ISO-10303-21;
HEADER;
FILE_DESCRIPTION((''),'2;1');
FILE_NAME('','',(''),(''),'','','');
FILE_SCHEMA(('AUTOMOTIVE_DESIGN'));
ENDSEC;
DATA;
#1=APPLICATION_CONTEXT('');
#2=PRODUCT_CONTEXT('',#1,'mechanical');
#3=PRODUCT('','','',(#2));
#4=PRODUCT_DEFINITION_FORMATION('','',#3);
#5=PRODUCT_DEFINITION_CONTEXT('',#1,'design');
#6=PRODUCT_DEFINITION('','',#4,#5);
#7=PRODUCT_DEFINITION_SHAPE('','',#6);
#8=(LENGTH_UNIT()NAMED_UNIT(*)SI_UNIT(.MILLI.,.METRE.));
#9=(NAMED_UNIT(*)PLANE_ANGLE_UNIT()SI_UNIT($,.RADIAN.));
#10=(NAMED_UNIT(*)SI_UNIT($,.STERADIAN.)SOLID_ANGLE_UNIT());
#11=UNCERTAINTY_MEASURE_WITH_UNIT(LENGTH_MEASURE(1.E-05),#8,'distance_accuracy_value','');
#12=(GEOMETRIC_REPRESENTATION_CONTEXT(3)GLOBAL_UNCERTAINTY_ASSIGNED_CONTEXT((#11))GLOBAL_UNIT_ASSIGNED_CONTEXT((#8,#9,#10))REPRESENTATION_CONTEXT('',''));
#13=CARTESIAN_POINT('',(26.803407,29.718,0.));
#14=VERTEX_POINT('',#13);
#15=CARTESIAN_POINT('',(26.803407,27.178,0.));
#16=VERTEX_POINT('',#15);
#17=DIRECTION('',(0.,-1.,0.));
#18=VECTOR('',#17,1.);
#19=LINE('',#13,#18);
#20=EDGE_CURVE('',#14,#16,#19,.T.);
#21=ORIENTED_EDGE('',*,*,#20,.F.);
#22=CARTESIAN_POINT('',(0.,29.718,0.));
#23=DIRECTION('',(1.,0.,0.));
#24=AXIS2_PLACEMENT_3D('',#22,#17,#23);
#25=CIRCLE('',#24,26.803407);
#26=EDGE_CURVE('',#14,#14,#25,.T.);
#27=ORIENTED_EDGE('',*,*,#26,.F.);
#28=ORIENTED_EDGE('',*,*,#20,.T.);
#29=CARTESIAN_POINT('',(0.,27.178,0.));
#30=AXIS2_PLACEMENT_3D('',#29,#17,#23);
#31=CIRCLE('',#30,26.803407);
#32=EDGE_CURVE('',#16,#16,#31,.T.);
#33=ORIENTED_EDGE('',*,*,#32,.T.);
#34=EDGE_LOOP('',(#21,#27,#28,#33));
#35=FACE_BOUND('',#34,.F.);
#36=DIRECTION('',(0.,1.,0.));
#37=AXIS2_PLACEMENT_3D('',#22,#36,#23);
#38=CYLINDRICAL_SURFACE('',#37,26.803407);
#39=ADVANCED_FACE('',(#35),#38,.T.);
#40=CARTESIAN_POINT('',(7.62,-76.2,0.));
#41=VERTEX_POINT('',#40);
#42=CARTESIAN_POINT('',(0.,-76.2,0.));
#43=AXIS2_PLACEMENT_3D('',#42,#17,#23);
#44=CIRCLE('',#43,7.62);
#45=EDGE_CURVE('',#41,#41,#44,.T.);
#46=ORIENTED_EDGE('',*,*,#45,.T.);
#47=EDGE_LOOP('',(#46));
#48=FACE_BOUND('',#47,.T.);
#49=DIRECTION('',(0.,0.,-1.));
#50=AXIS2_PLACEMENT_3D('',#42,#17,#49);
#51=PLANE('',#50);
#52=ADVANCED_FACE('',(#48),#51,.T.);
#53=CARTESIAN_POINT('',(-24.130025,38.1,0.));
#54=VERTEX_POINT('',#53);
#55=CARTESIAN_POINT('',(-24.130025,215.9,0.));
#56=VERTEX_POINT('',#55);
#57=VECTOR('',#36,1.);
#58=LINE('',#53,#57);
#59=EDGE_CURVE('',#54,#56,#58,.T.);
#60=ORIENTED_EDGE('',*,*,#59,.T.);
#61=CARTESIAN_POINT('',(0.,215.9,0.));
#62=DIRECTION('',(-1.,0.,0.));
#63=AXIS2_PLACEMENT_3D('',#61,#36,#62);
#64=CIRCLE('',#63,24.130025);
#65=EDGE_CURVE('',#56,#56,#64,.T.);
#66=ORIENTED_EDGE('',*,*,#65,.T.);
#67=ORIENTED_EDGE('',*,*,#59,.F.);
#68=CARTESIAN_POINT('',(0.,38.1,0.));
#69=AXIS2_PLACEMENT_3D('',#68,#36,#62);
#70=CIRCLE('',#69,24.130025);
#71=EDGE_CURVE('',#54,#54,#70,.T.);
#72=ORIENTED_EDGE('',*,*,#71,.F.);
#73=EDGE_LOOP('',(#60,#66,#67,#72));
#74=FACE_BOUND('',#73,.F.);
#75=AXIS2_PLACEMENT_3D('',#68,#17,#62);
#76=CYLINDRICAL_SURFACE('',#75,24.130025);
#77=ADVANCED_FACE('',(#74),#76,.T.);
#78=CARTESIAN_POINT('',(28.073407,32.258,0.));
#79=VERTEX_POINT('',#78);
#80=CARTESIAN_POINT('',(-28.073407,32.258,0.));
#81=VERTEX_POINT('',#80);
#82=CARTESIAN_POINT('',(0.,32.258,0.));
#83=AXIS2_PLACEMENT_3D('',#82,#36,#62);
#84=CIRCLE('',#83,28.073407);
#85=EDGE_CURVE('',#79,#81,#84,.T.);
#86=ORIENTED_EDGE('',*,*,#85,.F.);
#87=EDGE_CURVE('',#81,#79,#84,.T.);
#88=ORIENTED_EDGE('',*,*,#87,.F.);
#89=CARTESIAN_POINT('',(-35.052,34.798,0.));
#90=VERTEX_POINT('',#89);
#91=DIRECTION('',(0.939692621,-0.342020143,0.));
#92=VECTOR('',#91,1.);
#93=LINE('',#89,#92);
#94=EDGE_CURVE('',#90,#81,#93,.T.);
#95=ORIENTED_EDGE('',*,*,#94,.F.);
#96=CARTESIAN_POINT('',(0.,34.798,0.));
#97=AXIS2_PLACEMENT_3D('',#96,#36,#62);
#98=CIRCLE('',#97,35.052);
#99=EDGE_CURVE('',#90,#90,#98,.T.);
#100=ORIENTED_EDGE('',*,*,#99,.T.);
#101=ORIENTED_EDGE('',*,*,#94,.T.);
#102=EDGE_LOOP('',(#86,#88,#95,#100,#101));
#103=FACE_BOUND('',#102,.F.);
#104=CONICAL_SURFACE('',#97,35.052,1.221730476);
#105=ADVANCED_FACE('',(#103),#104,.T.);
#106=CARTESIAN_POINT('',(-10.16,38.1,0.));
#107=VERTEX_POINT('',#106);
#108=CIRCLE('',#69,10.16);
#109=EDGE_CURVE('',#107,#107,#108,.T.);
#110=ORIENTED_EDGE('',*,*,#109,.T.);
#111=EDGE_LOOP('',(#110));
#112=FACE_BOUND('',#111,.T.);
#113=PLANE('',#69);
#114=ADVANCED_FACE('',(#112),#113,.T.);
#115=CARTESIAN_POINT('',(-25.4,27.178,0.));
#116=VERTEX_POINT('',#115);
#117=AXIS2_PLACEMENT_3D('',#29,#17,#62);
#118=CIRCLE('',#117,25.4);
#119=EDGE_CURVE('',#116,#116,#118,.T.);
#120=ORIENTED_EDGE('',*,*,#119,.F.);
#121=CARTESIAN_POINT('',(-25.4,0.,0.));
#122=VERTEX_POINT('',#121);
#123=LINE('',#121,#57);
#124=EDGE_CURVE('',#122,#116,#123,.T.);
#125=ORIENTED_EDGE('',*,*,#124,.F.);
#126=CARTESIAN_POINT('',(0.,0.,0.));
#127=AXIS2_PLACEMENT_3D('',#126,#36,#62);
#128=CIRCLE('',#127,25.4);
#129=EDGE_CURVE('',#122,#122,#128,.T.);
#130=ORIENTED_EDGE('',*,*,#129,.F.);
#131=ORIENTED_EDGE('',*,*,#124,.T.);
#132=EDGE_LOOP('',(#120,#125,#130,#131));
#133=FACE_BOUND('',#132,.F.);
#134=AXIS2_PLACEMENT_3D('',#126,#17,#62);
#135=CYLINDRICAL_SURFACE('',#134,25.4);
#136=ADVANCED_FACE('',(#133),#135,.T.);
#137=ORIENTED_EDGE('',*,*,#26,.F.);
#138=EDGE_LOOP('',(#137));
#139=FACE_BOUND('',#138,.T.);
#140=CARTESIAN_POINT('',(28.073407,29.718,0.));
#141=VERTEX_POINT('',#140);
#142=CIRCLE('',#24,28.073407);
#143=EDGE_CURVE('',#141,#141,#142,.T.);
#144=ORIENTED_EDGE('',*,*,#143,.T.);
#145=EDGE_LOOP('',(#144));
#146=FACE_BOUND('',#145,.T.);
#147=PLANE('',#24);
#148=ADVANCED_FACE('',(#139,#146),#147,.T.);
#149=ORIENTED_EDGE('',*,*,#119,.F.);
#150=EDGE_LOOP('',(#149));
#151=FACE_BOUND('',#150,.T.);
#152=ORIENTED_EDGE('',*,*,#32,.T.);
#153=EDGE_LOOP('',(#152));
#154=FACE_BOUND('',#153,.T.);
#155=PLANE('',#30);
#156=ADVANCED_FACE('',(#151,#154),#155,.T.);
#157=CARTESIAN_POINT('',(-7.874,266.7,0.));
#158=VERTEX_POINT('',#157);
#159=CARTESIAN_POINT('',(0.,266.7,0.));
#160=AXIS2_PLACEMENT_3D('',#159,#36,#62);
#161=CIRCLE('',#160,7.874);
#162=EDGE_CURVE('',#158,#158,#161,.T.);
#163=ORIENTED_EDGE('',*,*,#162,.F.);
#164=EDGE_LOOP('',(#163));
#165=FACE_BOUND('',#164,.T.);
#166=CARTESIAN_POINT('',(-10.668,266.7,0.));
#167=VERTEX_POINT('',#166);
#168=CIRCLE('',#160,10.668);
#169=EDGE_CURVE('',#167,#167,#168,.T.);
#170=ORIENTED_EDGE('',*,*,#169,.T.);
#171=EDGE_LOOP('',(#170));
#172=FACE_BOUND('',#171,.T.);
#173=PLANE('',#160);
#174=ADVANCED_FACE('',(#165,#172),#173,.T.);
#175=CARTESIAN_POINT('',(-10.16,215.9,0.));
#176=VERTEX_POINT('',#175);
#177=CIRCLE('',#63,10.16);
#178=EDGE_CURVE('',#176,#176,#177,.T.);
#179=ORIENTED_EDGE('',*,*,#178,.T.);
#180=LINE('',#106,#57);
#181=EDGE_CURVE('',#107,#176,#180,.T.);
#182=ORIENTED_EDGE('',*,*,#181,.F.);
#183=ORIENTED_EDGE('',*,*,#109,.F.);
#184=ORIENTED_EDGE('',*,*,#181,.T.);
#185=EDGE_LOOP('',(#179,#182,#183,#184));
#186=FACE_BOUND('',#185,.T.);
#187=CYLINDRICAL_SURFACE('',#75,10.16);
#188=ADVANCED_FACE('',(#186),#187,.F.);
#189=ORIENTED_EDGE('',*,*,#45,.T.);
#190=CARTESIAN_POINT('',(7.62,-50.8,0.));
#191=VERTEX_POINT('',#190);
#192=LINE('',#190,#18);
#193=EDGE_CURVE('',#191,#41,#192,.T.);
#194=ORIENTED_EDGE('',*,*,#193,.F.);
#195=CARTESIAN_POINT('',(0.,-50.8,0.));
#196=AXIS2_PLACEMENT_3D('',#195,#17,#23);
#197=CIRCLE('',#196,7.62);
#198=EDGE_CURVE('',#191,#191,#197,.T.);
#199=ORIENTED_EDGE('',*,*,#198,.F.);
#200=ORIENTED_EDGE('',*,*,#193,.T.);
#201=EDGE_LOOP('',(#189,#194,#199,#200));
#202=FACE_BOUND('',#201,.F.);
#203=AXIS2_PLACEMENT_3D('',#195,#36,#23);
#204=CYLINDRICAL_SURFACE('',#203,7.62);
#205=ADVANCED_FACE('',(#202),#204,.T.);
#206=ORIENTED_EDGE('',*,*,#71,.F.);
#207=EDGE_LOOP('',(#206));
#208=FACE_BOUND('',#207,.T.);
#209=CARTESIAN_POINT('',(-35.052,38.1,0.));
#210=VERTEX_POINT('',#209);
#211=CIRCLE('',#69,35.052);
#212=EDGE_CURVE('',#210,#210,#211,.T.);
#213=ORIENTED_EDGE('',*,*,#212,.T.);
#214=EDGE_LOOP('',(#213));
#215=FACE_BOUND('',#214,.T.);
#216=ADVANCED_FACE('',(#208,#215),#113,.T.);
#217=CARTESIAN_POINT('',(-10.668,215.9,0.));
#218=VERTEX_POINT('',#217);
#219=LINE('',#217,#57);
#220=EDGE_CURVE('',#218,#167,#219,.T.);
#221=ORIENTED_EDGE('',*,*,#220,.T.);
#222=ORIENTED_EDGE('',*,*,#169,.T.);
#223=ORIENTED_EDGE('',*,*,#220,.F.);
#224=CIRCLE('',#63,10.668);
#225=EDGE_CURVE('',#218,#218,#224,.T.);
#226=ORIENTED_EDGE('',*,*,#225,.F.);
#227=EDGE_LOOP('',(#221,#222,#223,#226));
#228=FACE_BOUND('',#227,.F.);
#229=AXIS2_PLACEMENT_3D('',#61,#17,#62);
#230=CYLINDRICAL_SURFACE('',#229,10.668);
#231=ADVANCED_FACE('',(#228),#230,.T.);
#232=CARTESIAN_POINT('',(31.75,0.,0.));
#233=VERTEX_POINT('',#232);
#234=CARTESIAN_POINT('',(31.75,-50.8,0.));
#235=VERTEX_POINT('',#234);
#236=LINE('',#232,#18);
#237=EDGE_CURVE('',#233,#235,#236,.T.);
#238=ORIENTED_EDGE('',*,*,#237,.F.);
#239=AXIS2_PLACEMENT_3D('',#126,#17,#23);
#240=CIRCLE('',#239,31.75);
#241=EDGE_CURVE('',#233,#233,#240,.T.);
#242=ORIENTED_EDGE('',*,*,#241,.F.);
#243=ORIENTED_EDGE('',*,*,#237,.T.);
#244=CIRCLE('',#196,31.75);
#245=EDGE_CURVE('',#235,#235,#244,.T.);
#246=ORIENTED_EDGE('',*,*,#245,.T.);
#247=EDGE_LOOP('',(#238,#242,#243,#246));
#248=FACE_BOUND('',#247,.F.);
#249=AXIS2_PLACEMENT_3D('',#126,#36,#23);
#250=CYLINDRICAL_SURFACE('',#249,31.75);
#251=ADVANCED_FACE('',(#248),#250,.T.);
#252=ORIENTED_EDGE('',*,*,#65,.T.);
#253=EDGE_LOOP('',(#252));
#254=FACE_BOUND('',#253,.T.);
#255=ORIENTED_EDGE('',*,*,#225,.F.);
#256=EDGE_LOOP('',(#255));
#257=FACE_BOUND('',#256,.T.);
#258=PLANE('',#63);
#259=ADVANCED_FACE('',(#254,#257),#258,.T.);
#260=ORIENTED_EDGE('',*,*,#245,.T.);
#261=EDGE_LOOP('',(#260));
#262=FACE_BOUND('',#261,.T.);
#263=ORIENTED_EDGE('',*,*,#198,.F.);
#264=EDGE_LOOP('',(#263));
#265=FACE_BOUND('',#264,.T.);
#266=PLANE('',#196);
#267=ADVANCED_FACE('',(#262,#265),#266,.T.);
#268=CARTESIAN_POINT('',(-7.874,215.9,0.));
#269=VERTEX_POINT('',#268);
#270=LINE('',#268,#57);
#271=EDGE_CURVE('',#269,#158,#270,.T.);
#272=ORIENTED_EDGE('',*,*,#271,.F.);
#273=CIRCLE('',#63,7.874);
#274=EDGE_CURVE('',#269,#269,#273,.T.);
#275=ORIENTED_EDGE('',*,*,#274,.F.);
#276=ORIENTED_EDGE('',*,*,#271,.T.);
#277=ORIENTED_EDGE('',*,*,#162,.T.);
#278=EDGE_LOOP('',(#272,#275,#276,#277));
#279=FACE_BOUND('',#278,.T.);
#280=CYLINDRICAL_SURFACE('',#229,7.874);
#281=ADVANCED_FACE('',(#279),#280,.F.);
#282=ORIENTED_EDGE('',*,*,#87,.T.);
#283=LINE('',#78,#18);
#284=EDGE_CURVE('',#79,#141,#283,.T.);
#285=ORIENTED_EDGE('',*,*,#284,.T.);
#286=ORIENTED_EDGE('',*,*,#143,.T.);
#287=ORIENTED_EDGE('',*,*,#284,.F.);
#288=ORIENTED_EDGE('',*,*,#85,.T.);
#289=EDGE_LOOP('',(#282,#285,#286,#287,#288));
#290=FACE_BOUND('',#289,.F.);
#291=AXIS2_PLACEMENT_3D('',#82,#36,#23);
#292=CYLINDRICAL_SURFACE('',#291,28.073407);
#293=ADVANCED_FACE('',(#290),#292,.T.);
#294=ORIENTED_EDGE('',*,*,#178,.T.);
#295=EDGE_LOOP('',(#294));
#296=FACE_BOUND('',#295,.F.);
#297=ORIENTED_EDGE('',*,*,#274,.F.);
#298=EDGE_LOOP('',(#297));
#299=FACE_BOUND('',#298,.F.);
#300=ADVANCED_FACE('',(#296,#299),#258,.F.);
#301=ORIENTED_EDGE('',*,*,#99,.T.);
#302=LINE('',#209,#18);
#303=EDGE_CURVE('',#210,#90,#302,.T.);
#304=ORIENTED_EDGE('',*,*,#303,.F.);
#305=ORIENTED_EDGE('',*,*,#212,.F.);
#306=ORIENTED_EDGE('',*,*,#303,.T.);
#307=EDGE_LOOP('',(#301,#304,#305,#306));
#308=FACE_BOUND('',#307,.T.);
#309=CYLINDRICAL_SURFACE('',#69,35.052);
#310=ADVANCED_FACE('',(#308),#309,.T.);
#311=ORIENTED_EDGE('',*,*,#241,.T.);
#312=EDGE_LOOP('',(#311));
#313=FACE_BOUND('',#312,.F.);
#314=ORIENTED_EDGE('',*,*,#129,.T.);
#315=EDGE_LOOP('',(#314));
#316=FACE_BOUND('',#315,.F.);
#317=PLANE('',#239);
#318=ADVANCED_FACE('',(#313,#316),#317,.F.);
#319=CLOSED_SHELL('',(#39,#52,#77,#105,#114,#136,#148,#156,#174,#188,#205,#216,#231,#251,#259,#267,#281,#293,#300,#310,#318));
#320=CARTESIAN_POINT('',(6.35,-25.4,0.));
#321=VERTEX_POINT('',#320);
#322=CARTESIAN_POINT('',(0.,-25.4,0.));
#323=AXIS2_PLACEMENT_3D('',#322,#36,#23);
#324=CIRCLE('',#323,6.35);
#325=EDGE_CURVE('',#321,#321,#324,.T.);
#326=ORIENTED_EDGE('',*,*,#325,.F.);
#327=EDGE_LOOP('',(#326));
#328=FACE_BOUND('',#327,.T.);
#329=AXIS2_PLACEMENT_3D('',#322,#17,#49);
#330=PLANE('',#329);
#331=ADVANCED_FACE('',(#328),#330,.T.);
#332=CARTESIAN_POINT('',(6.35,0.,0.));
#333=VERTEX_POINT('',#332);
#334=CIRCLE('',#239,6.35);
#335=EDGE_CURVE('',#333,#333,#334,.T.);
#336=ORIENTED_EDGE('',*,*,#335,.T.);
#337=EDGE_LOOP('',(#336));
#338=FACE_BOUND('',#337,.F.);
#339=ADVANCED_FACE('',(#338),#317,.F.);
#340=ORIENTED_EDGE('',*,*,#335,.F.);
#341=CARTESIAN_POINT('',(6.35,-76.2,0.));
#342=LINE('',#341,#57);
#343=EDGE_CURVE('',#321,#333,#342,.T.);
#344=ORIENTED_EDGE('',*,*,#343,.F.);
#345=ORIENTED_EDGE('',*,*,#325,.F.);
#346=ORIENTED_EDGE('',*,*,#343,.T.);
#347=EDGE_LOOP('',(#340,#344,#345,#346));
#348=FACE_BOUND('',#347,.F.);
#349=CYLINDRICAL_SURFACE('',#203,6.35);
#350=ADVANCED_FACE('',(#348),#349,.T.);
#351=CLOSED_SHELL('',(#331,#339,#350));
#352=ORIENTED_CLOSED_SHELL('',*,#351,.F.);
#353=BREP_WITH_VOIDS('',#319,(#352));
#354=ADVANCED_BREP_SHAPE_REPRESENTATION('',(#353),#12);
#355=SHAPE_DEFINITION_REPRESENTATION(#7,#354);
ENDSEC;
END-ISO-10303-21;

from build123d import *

# Parameters (mm, degrees)
F1_R      = 6.35
F2_DEPTH  = 5.842
F3_R      = 6.35
F4_DEPTH  = 2.54
F5_R      = 31.75
F5_R_2    = 6.35
F6_DEPTH  = 50.8
F7_R      = 7.62
F7_R_2    = 6.35
F8_DEPTH  = 25.4
F9_R      = 6.35
F12_R     = 25.4
F13_DEPTH = 38.1
F14_R     = 35.052
F14_R_2   = 22.86
F15_DEPTH = 5.842
F16_SIZE2 = 6.9785926454
F16_SIZE  = 2.54
F17_R     = 28.0734073546
F17_R_2   = 24.13
F18_DEPTH = 2.54
F19_R     = 26.8034073546
F19_R_2   = 24.13
F20_DEPTH = 2.54
F21_R     = 24.1300254
F21_R_2   = 10.16
F22_DEPTH = 177.8
F23_R     = 10.668
F23_R_2   = 7.874
F24_DEPTH = 50.8


with BuildPart() as f2:
    # F1 (on Front) → F2 (new body)
    with BuildSketch(Plane.XZ):
        Circle(F1_R)
    extrude(amount=-F2_DEPTH)

    # F3 (on face) → F4 (join)
    with BuildSketch(Plane(origin=(0, 5.842, 0), x_dir=(-1, 0, 0), z_dir=(0, 1, 0))):
        Circle(F3_R)
    extrude(amount=F4_DEPTH)

    # F5 (on face) → F6 (join)
    with BuildSketch(Plane.XZ):
        Circle(F5_R)
        Circle(F5_R_2, mode=Mode.SUBTRACT)
    extrude(amount=F6_DEPTH)

    # F7 (on face) → F8 (join)
    with BuildSketch(Plane.XZ.offset(50.8)):
        Circle(F7_R)
        Circle(F7_R_2, mode=Mode.SUBTRACT)
    extrude(amount=F8_DEPTH)

    # F11: sweep along a path in F10
    with BuildLine(Plane.YZ) as f11_path:
        Line((-76.2, 0), (-25.4, 0))
    # F9 (on face) → F11 (sweep)
    with BuildSketch(Plane.XZ.offset(76.2)):
        Circle(F9_R)
    sweep(path=f11_path.line)

    # F12 (on face) → F13 (join)
    with BuildSketch(Plane(origin=(0, 0, 0), x_dir=(-1, 0, 0), z_dir=(0, 1, 0))):
        Circle(F12_R)
    extrude(amount=F13_DEPTH)

    # F14 (on face) → F15 (join)
    with BuildSketch(Plane(origin=(0, 38.1, 0), x_dir=(-1, 0, 0), z_dir=(0, 1, 0))):
        Circle(F14_R)
        Circle(F14_R_2, mode=Mode.SUBTRACT)
    extrude(amount=-F15_DEPTH)

    # F16
    f16_edges = [f2.edges().sort_by_distance(p)[0] for p in [
        (35.052, 32.258, 0),
    ]]
    f16_side = f2.faces().sort_by_distance((35.052, 35.179, 0))[0]
    chamfer(f16_edges, length=F16_SIZE, length2=F16_SIZE2, reference=f16_side)

    # F17 (on face) → F18 (join)
    with BuildSketch(Plane.XZ.offset(-32.258)):
        Circle(F17_R)
        Circle(F17_R_2, mode=Mode.SUBTRACT)
    extrude(amount=F18_DEPTH)

    # F19 (on face) → F20 (join)
    with BuildSketch(Plane.XZ.offset(-29.718)):
        Circle(F19_R)
        Circle(F19_R_2, mode=Mode.SUBTRACT)
    extrude(amount=F20_DEPTH)

    # F21 (on face) → F22 (join)
    with BuildSketch(Plane(origin=(0, 38.1, 0), x_dir=(-1, 0, 0), z_dir=(0, 1, 0))):
        Circle(F21_R)
        Circle(F21_R_2, mode=Mode.SUBTRACT)
    extrude(amount=F22_DEPTH)

    # F23 (on face) → F24 (join)
    with BuildSketch(Plane(origin=(0, 215.9, 0), x_dir=(-1, 0, 0), z_dir=(0, 1, 0))):
        Circle(F23_R)
        Circle(F23_R_2, mode=Mode.SUBTRACT)
    extrude(amount=F24_DEPTH)


solid = f2.part
